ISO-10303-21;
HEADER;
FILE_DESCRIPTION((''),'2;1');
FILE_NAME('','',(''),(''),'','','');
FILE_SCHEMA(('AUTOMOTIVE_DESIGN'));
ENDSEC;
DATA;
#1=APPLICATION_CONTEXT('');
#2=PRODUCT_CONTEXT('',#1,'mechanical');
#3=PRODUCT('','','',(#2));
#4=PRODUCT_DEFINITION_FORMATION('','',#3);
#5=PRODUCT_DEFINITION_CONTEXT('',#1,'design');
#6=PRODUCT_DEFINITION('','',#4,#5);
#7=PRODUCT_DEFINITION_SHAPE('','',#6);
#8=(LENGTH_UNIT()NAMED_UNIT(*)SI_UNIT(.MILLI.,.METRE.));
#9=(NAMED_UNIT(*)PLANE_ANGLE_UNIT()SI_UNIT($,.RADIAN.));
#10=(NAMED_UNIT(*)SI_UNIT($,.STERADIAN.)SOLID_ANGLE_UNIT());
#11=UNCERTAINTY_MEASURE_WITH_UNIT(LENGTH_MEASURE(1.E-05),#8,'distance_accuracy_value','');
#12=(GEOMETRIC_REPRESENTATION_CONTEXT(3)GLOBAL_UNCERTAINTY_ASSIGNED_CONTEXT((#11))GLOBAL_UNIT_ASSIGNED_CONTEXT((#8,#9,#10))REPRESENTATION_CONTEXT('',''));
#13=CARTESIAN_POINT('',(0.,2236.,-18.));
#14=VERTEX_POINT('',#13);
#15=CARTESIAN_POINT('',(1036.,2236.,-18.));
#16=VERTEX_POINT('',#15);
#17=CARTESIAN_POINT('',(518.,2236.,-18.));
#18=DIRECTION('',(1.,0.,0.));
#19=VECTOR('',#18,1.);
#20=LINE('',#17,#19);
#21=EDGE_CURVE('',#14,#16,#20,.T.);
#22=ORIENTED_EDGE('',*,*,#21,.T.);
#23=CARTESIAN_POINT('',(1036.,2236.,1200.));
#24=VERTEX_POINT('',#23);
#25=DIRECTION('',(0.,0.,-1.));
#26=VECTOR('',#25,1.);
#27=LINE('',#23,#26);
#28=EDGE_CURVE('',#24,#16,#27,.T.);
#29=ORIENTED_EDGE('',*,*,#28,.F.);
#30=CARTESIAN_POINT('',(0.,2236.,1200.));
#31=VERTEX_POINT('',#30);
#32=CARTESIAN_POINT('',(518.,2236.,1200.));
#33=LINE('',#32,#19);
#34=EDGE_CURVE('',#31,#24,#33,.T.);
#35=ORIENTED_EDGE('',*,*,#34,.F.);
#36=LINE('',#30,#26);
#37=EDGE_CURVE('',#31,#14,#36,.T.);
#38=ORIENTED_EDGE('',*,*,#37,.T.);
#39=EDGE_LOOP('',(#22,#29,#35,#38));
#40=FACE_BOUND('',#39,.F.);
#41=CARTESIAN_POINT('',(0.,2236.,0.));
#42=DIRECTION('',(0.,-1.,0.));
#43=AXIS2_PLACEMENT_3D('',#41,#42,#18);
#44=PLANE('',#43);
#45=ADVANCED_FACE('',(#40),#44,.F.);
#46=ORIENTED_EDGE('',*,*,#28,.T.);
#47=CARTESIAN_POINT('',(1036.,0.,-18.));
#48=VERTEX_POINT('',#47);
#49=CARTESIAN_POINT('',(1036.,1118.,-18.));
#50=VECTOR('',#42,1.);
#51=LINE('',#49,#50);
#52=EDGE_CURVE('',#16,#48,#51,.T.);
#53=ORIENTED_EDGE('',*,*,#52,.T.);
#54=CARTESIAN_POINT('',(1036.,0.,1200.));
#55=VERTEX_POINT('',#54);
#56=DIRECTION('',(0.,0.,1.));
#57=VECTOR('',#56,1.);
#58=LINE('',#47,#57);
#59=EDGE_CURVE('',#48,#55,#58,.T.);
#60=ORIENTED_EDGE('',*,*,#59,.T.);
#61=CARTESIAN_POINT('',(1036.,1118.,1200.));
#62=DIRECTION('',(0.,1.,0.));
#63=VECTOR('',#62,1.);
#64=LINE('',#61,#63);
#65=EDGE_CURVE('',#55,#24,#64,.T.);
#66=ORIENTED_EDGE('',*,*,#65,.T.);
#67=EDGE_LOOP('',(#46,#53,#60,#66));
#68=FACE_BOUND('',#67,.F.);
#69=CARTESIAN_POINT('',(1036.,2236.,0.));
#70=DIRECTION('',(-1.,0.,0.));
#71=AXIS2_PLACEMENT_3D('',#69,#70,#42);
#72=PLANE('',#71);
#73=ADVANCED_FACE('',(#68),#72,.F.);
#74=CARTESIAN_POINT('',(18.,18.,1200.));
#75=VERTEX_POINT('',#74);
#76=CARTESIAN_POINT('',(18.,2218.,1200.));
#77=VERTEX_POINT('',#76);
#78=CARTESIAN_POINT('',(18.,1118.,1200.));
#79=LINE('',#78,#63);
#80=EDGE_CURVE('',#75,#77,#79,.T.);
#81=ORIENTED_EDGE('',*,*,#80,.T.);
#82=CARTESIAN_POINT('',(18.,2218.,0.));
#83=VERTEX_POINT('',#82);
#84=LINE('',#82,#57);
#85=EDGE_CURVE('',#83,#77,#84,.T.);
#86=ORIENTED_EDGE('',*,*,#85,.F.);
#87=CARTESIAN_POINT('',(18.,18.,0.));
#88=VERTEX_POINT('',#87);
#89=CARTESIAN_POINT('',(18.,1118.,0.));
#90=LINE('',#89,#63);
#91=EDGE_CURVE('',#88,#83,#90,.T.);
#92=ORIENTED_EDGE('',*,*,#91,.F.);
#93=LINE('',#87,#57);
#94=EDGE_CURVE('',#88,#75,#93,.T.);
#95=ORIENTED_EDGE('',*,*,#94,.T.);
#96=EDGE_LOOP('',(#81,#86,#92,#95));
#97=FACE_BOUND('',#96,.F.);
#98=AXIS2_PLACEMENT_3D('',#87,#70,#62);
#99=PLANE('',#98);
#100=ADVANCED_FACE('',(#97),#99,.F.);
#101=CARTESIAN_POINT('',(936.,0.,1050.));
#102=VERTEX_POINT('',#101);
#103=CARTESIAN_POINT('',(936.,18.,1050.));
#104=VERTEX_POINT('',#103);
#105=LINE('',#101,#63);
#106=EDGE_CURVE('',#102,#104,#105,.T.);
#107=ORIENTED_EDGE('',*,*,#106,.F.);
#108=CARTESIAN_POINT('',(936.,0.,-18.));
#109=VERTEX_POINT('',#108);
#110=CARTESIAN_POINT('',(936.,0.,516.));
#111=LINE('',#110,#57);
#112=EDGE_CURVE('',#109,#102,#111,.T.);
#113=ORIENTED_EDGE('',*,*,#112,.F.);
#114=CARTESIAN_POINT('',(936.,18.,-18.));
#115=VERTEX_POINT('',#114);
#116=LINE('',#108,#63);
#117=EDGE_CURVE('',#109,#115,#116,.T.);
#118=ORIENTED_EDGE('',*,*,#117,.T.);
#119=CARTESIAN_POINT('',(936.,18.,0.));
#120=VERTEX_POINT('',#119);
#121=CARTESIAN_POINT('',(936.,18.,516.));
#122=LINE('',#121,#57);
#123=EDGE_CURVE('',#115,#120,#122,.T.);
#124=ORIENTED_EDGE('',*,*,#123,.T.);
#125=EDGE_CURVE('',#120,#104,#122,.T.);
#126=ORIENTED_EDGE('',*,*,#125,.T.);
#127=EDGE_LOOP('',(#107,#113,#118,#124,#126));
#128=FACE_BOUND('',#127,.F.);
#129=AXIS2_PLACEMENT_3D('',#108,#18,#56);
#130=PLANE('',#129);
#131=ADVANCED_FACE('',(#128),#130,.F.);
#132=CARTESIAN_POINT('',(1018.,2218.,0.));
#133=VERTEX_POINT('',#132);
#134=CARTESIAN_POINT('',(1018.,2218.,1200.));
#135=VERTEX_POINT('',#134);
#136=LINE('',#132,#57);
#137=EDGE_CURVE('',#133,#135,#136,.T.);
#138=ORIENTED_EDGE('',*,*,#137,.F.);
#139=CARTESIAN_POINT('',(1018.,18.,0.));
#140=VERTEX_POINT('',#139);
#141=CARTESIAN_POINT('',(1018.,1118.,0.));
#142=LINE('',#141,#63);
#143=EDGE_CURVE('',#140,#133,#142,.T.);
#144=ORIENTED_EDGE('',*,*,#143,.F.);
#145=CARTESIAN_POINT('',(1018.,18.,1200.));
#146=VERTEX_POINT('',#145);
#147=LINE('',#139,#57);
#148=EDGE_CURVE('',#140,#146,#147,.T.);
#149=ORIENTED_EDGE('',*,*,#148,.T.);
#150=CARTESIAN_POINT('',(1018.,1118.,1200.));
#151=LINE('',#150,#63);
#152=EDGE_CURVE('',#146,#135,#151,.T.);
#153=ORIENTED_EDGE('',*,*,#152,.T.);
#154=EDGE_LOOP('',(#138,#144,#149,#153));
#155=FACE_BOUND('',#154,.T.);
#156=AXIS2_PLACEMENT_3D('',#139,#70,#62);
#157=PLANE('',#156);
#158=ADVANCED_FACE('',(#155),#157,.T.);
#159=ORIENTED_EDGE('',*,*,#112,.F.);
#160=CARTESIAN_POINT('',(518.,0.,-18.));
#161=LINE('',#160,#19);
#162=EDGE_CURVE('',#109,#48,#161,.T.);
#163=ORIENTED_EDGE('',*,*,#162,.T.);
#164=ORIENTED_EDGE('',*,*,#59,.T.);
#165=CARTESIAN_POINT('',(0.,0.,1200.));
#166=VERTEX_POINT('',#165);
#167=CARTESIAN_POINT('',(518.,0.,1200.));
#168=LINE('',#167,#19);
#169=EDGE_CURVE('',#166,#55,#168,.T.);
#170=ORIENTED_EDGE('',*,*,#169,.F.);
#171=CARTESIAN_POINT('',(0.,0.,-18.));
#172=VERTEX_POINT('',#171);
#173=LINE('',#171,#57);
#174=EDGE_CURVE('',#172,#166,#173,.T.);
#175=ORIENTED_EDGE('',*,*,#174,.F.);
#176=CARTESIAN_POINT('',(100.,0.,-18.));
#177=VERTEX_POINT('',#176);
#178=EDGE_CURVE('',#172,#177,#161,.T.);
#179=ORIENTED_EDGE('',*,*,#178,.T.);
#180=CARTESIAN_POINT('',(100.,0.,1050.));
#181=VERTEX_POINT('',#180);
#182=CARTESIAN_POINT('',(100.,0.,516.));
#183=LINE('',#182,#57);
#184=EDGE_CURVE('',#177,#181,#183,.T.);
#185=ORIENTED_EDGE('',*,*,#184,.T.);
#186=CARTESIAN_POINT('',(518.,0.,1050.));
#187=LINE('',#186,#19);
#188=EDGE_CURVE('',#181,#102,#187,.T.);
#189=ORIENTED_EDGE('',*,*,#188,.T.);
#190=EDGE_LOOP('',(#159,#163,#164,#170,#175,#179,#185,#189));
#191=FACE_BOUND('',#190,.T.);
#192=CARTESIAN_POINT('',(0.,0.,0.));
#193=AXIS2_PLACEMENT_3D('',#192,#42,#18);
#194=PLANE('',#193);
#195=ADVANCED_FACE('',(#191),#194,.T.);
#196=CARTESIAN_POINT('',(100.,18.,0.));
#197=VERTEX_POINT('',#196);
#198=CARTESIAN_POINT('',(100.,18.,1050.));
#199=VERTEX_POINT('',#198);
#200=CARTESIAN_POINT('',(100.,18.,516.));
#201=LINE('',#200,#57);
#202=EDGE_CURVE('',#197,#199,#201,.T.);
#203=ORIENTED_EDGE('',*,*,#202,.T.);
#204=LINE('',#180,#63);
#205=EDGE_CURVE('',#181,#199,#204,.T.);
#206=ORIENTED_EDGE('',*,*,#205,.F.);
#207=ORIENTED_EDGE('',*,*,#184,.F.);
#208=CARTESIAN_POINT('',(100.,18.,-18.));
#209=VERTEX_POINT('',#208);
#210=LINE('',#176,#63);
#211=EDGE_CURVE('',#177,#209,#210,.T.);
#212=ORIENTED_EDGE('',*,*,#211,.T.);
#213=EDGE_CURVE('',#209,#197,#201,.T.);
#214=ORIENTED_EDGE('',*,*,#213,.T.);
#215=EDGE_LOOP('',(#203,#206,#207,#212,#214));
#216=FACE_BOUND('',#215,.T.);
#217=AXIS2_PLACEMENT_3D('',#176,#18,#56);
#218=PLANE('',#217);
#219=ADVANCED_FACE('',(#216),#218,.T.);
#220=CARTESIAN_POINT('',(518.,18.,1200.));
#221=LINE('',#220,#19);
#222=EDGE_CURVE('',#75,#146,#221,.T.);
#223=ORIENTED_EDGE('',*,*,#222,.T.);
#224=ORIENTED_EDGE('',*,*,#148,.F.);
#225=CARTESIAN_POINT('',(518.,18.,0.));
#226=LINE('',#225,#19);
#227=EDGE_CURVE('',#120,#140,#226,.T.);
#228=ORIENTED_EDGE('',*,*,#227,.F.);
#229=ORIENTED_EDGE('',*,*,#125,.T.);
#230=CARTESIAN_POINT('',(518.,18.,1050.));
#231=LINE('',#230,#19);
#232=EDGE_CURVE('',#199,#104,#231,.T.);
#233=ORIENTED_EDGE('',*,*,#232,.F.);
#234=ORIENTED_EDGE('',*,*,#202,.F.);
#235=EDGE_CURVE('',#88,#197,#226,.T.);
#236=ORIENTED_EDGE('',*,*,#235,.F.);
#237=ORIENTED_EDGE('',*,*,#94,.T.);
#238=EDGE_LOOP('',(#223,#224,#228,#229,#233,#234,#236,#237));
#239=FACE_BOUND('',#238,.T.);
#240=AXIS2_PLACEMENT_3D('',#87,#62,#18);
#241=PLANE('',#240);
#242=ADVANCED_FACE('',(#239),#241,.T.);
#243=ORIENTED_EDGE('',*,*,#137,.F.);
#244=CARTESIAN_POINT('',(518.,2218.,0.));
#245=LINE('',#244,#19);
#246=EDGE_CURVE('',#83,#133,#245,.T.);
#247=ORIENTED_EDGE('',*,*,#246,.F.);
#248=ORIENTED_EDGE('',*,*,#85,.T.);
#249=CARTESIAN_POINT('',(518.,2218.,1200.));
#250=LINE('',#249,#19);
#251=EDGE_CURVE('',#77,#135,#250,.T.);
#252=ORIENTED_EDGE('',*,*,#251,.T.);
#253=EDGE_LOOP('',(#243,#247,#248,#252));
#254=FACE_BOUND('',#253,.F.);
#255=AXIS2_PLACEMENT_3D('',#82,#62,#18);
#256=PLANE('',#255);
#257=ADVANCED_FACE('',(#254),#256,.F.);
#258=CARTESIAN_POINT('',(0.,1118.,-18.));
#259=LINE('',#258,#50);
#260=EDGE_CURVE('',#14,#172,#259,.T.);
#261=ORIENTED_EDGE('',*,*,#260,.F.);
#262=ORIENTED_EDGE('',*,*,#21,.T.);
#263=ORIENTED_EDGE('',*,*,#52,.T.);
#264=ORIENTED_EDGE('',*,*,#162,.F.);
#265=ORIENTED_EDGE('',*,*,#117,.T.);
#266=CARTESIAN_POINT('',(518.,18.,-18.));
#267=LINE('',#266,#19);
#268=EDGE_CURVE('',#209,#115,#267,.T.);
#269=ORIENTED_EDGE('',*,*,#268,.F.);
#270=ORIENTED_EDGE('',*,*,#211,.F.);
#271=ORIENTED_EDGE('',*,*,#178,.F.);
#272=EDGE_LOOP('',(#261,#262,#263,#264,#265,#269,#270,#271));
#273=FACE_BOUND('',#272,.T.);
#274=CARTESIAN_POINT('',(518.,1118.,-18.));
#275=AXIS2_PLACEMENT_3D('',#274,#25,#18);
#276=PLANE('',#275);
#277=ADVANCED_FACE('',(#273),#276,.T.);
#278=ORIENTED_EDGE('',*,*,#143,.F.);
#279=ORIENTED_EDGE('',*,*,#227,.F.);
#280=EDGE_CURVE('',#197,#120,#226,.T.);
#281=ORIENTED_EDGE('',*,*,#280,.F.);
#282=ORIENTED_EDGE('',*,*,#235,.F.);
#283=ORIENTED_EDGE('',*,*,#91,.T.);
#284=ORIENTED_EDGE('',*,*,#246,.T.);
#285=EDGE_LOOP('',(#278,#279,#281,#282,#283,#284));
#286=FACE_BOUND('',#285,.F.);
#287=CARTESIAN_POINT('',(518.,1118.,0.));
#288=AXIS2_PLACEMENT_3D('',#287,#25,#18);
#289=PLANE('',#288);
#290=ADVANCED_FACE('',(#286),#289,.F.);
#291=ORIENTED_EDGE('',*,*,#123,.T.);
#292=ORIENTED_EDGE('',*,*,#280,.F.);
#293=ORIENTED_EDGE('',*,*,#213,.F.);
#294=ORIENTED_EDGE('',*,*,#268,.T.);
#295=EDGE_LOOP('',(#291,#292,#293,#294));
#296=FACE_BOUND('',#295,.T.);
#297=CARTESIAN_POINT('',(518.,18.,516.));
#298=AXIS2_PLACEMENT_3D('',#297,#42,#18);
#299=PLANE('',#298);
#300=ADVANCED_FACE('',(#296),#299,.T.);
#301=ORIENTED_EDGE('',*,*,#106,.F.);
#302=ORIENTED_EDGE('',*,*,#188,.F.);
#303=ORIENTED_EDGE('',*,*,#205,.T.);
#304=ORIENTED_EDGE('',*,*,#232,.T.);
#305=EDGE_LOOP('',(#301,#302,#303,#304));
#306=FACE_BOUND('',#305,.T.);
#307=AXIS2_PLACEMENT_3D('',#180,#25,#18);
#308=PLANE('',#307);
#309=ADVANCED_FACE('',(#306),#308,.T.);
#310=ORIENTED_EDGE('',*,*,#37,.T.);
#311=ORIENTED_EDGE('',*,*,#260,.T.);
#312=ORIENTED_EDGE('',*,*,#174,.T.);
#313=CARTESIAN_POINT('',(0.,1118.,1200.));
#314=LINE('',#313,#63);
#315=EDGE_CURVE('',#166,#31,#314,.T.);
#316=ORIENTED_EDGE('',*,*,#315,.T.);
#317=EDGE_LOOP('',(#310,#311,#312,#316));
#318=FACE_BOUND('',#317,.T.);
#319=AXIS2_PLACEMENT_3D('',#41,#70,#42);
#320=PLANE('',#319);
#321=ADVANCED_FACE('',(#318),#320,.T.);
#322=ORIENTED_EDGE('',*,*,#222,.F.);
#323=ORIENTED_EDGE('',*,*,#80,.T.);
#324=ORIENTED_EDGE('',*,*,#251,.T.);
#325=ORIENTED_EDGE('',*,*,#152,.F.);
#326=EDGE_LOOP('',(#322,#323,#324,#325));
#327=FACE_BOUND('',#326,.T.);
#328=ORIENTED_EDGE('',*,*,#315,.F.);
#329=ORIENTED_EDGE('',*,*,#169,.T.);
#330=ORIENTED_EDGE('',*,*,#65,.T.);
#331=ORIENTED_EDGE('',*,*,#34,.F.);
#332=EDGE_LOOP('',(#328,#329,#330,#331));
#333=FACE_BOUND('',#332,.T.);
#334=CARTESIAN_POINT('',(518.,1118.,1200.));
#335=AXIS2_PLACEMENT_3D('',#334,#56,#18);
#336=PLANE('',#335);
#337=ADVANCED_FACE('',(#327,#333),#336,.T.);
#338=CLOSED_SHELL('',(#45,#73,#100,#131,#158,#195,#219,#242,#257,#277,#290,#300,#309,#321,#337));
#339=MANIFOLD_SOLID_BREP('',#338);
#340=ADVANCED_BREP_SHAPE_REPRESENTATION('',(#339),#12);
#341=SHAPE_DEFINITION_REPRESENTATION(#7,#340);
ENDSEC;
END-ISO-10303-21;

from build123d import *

# Parameters (mm, degrees)
F0_W     = 1036
F0_H     = 2236
F0_W_2   = 1000
F0_H_2   = 2200
F1_DEPTH = 1200
F2_W     = 1036
F2_H     = 2236
F3_DEPTH = 18
F4_W     = 836
F4_H     = 1068
F5_DEPTH = 18


with BuildPart() as f1:
    # F0 (on Top) → F1 (new body)
    with BuildSketch(Plane.XY):
        with Locations((518, 1118)):
            Rectangle(F0_W, F0_H)
        with Locations((518, 1118)):
            Rectangle(F0_W_2, F0_H_2, mode=Mode.SUBTRACT)
    extrude(amount=F1_DEPTH)

    # F2 (on face) → F3 (join)
    with BuildSketch(Plane(origin=(0, 0, 0), x_dir=(1, 0, 0), z_dir=(0, 0, -1))):
        with Locations((518, -1118)):
            Rectangle(F2_W, F2_H)
    extrude(amount=F3_DEPTH)

    # F4 (on face) → F5 (cut)
    with BuildSketch(Plane.XZ):
        with Locations((518, 516)):
            Rectangle(F4_W, F4_H)
    extrude(amount=-F5_DEPTH, mode=Mode.SUBTRACT)


solid = f1.part
